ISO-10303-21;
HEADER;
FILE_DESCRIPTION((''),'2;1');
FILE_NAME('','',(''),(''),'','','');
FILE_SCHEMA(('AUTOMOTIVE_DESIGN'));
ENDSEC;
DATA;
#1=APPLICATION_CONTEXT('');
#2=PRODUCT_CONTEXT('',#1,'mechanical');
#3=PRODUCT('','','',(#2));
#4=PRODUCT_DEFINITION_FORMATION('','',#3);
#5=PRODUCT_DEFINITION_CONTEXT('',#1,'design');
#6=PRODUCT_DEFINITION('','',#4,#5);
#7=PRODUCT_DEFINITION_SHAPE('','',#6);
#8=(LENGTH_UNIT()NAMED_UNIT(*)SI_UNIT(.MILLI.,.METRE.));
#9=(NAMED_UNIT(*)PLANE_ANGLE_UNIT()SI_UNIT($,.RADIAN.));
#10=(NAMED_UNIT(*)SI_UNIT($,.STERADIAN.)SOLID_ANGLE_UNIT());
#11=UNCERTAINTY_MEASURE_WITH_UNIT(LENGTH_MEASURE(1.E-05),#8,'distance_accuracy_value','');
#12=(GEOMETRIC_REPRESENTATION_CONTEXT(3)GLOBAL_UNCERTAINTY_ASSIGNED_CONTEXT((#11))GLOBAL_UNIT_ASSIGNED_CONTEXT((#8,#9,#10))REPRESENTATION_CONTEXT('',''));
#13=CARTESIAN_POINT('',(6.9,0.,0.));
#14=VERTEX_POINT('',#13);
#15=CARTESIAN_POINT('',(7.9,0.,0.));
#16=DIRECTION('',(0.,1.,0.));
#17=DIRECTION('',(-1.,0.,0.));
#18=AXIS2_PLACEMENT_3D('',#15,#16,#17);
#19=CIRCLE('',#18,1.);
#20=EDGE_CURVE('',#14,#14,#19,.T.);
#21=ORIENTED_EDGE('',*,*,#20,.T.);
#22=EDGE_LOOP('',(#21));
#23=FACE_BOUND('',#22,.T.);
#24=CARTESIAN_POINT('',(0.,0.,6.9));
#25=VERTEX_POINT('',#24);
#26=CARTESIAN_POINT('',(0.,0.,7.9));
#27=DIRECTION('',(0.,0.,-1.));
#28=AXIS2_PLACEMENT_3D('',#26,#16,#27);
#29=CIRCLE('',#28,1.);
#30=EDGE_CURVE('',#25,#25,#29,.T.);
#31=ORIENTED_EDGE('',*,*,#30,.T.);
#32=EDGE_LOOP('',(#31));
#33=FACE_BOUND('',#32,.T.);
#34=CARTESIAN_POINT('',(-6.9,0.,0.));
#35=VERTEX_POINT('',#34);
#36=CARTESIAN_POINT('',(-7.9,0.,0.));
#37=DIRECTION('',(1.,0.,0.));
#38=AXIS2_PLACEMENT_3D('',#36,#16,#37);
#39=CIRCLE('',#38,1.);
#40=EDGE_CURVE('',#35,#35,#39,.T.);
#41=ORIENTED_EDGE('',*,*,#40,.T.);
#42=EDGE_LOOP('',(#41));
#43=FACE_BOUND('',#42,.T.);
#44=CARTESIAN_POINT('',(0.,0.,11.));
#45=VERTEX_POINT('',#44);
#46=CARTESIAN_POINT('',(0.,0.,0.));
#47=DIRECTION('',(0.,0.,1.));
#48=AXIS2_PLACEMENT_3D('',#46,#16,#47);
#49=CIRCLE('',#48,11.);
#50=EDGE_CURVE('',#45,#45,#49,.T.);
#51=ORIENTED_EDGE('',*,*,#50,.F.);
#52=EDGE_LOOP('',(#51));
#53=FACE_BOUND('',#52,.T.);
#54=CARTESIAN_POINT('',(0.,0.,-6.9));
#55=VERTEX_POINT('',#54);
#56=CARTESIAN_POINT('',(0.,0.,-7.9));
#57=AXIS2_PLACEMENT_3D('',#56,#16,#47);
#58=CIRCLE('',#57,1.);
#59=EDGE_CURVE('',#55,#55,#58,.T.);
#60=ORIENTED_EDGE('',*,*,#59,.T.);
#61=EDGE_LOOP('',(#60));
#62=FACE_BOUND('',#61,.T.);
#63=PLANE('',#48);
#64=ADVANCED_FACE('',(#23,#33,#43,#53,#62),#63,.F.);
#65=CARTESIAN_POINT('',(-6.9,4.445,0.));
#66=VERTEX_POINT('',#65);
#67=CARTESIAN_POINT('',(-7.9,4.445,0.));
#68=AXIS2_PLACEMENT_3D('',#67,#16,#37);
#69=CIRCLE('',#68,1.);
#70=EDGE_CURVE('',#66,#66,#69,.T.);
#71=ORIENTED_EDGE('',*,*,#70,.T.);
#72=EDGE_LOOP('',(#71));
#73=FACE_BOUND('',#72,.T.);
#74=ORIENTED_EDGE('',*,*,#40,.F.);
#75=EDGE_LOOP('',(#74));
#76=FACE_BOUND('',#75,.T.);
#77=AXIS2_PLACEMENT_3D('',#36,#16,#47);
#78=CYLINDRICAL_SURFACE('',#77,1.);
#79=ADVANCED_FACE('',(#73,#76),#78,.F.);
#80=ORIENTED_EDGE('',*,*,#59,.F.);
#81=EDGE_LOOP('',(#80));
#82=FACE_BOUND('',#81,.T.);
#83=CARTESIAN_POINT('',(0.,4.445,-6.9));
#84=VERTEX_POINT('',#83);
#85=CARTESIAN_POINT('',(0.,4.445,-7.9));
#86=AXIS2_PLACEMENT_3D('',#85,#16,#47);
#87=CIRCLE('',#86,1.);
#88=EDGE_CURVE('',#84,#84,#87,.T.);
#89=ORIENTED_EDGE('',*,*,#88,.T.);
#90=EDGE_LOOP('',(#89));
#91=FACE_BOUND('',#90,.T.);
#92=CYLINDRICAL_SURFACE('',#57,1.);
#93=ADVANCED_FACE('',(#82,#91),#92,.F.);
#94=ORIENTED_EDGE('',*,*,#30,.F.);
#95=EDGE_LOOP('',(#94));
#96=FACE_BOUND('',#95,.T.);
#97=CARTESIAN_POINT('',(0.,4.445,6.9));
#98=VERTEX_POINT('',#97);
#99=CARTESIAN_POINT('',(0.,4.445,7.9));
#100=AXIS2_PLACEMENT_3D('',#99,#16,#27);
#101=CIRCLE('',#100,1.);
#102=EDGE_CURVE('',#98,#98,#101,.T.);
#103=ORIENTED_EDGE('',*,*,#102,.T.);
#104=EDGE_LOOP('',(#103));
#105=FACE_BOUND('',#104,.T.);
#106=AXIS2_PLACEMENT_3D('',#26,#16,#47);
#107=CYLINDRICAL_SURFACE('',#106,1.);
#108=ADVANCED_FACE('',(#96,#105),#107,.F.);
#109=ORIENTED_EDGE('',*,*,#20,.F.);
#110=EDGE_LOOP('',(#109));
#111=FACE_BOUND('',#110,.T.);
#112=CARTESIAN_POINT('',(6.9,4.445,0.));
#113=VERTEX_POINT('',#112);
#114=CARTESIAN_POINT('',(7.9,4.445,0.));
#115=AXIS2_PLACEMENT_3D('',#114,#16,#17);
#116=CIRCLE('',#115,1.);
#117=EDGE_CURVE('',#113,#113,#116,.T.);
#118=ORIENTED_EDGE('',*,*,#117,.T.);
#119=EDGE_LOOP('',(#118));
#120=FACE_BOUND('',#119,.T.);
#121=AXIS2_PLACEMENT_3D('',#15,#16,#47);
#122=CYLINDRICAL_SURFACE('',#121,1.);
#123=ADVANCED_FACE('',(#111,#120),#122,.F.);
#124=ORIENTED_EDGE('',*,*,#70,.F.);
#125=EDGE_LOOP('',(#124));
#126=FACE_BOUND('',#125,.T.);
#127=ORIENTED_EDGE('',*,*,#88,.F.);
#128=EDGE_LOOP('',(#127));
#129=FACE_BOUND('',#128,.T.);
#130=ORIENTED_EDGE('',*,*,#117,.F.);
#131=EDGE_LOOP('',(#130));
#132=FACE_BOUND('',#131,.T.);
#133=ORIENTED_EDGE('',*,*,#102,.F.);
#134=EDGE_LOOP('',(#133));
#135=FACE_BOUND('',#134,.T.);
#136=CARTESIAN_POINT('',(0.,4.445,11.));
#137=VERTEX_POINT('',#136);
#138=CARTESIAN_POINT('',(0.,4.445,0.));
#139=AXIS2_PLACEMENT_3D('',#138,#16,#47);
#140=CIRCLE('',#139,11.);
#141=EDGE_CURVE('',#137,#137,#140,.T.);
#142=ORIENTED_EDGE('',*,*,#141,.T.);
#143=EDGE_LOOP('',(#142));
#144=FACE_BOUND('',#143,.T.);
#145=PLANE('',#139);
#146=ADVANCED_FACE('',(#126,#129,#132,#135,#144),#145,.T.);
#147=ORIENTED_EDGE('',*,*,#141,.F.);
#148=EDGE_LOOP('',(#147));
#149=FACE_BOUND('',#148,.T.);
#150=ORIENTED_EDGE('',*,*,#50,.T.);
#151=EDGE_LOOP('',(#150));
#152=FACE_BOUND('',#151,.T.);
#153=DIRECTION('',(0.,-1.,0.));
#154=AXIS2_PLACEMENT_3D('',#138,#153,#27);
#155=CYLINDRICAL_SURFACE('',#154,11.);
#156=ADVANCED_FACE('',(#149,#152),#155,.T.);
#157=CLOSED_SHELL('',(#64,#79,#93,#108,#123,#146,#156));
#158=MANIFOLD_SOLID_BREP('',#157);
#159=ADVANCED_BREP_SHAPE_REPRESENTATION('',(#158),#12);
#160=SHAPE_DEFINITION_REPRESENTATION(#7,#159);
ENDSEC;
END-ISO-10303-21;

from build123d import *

# Parameters (mm, degrees)
SKETCH1_R           = 11
BOSS_EXTRUDE1_DEPTH = 4.445
SKETCH2_R           = 1
CUT_EXTRUDE1_DEPTH  = 17.178937697
CIRPATTERN1_COUNT   = 4


with BuildPart() as part:
    # Sketch1 → Boss-Extrude1 (new body)
    with BuildSketch(Plane(origin=(0, 0, 0), x_dir=(1, 0, 0), z_dir=(0, 1, 0))):
        Circle(SKETCH1_R)
    extrude(amount=BOSS_EXTRUDE1_DEPTH)

    # Sketch2 → Cut-Extrude1 (cut, through all)
    with BuildSketch(Plane(origin=(0, 4.445, 0), x_dir=(1, 0, 0), z_dir=(0, 1, 0))):
        with Locations((0, 7.9)):
            Circle(SKETCH2_R)
    cut_extrude1 = extrude(amount=-CUT_EXTRUDE1_DEPTH, mode=Mode.SUBTRACT)

    # CirPattern1: Cut-Extrude1 ×4 about axis
    cirpattern1_axis = Axis((0, 4.445, 0), (0, -1, 0))
    for i in range(1, CIRPATTERN1_COUNT):
        add(cut_extrude1.rotate(cirpattern1_axis, i * 360 / CIRPATTERN1_COUNT), mode=Mode.SUBTRACT)


solid = part.part
